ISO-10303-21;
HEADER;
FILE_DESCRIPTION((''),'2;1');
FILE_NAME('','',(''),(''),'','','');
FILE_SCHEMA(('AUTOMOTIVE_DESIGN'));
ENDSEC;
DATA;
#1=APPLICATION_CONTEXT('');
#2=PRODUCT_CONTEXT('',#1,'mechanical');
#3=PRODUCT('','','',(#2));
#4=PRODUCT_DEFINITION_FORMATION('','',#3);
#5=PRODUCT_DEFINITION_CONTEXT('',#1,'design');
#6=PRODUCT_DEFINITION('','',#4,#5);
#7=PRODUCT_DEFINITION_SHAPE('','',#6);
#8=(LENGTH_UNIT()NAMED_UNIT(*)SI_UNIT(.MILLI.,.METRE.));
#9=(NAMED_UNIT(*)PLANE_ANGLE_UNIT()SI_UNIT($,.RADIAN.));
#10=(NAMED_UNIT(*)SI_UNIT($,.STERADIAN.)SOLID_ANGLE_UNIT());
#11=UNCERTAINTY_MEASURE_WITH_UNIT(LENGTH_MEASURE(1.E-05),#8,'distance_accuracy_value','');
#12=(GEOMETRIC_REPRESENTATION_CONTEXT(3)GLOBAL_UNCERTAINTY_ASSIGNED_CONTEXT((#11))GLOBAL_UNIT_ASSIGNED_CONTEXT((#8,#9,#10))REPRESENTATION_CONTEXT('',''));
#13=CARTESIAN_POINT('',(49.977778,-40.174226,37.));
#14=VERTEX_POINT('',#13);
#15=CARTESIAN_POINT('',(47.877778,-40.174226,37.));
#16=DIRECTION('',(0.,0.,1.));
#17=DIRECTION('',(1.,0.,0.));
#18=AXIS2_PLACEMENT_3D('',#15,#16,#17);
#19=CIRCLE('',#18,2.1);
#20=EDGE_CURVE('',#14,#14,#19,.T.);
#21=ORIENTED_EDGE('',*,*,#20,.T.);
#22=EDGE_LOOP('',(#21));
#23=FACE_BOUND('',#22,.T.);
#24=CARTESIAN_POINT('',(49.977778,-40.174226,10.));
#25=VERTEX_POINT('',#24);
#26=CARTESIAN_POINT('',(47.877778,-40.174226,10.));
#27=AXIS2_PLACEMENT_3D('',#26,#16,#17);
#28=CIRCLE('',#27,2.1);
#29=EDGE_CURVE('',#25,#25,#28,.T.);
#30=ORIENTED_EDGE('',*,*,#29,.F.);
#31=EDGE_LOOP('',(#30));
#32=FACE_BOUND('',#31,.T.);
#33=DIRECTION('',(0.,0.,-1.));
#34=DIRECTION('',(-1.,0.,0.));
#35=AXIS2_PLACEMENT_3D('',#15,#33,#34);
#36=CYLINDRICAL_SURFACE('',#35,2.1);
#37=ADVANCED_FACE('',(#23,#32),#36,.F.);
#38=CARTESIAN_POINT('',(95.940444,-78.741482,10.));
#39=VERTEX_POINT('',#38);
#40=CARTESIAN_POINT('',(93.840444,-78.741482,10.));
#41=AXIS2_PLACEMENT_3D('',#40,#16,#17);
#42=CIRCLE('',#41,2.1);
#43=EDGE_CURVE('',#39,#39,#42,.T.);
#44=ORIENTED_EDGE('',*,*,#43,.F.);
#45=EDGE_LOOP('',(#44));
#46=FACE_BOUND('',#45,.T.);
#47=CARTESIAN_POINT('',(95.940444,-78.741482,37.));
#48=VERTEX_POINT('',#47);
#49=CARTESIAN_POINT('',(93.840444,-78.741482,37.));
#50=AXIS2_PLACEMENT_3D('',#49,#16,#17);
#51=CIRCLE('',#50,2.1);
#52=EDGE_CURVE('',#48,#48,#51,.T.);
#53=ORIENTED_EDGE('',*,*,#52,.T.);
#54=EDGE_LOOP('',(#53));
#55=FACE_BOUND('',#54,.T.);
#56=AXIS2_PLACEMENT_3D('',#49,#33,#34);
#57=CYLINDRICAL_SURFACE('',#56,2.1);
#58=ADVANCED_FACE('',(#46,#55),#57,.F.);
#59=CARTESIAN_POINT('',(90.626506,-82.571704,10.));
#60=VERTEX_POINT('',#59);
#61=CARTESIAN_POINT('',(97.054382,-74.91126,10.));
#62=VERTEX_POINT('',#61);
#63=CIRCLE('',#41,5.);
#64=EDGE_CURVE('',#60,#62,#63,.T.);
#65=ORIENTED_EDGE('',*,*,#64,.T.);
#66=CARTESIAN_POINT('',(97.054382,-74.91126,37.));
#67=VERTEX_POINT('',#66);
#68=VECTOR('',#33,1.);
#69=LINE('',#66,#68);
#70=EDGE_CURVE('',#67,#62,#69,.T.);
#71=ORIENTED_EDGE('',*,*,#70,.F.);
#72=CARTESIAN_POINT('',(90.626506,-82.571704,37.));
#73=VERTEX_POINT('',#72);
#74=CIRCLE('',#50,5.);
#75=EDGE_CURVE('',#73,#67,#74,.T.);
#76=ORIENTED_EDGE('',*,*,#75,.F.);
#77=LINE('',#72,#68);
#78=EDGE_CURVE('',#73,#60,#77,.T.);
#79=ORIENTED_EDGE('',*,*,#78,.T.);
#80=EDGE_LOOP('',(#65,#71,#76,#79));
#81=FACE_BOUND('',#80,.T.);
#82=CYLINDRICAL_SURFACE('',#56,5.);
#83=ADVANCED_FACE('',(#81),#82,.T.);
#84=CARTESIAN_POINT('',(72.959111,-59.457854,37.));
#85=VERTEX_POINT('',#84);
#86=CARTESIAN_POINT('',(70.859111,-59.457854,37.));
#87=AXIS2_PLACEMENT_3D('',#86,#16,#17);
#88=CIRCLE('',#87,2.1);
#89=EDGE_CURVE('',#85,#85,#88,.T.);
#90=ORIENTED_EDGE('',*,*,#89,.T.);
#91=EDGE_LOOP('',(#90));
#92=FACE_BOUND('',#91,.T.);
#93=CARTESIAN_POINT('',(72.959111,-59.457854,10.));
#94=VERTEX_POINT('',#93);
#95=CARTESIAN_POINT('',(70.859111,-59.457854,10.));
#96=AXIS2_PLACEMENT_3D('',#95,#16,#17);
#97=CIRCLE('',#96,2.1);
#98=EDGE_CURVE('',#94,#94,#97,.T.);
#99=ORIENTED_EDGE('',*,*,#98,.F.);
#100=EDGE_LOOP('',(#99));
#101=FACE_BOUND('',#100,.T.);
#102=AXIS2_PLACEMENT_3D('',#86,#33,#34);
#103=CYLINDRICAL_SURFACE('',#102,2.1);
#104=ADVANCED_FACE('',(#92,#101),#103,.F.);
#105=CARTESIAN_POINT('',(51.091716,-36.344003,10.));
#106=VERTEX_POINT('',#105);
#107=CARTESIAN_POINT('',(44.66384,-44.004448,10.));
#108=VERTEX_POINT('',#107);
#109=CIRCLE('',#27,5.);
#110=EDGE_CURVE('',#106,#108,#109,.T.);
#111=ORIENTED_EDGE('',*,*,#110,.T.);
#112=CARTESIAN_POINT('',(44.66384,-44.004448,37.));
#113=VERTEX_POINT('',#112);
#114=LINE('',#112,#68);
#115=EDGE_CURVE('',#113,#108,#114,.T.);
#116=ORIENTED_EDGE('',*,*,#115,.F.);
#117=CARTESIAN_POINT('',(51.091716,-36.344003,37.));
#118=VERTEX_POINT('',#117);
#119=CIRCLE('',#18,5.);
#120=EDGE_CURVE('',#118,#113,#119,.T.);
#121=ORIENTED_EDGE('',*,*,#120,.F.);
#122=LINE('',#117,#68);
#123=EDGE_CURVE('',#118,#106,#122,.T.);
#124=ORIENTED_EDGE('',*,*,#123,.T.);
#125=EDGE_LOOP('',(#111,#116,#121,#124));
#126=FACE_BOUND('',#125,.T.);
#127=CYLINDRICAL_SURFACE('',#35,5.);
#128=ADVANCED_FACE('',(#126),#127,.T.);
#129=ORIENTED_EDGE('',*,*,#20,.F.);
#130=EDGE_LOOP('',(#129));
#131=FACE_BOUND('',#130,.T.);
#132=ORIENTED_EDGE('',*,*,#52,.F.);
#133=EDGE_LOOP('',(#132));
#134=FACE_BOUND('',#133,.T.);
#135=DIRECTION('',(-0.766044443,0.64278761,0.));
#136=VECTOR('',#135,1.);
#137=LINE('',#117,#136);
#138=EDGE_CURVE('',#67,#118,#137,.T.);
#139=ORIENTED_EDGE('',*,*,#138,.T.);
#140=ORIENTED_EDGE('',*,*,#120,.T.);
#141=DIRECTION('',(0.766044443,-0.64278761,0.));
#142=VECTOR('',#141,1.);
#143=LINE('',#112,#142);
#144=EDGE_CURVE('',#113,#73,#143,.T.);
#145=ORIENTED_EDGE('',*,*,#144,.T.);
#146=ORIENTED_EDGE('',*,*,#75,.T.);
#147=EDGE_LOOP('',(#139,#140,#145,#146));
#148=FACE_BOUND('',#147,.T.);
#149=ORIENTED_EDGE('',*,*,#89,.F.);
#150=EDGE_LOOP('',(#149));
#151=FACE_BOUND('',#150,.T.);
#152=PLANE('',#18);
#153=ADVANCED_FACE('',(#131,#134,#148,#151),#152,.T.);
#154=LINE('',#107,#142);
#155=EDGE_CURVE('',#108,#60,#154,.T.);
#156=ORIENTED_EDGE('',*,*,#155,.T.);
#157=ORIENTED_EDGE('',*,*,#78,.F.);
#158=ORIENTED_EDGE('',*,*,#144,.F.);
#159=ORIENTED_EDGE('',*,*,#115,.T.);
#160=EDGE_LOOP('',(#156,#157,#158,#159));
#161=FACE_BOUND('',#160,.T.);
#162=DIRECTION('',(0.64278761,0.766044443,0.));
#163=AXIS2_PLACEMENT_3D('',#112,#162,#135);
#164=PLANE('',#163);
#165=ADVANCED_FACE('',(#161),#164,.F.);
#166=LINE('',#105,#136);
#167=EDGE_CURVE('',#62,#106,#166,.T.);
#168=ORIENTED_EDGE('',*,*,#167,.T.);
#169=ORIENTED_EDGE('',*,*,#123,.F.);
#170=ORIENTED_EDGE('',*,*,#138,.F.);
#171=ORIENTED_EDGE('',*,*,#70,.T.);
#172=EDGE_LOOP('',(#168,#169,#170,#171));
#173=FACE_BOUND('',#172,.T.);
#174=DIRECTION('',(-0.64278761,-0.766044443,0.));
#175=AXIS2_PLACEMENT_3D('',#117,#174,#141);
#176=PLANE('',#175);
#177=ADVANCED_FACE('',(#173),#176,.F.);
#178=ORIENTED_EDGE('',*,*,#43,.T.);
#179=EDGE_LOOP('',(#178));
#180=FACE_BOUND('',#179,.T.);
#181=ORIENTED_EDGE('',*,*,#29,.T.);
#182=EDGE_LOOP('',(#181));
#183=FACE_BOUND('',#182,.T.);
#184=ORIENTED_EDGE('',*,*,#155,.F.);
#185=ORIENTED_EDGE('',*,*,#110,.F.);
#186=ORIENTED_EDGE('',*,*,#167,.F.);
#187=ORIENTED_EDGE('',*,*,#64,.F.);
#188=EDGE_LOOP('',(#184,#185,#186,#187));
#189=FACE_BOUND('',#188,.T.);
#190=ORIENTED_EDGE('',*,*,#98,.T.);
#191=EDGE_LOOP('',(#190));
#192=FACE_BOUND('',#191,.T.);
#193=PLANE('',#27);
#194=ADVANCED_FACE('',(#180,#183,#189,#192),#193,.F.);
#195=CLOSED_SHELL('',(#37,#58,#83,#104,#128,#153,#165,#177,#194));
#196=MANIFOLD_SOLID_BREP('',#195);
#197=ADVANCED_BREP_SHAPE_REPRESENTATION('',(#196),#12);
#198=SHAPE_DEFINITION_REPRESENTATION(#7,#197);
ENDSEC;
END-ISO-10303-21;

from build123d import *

# Parameters (mm, degrees)
SKETCH1_R           = 2.1
BOSS_EXTRUDE1_DEPTH = 27


with BuildPart() as part:
    # Sketch1 → Boss-Extrude1 (new body)
    with BuildSketch(Plane.XY.offset(10)):
        with BuildLine():
            Line((44.663839647, -44.004447821), (90.626506234, -82.571704402))
            ThreePointArc((90.626506234, -82.571704402), (97.670666498, -81.955420235), (97.054382331, -74.911259971))
            Line((97.054382331, -74.911259971), (51.091715743, -36.34400339))
            ThreePointArc((51.091715743, -36.34400339), (44.047555479, -36.960287557), (44.663839647, -44.004447821))
        make_face()
        with Locations((47.877777695, -40.174225605)):
            Circle(SKETCH1_R, mode=Mode.SUBTRACT)
        with Locations((70.859110989, -59.457853896)):
            Circle(SKETCH1_R, mode=Mode.SUBTRACT)
        with Locations((93.840444282, -78.741482187)):
            Circle(SKETCH1_R, mode=Mode.SUBTRACT)
    extrude(amount=BOSS_EXTRUDE1_DEPTH)


solid = part.part
